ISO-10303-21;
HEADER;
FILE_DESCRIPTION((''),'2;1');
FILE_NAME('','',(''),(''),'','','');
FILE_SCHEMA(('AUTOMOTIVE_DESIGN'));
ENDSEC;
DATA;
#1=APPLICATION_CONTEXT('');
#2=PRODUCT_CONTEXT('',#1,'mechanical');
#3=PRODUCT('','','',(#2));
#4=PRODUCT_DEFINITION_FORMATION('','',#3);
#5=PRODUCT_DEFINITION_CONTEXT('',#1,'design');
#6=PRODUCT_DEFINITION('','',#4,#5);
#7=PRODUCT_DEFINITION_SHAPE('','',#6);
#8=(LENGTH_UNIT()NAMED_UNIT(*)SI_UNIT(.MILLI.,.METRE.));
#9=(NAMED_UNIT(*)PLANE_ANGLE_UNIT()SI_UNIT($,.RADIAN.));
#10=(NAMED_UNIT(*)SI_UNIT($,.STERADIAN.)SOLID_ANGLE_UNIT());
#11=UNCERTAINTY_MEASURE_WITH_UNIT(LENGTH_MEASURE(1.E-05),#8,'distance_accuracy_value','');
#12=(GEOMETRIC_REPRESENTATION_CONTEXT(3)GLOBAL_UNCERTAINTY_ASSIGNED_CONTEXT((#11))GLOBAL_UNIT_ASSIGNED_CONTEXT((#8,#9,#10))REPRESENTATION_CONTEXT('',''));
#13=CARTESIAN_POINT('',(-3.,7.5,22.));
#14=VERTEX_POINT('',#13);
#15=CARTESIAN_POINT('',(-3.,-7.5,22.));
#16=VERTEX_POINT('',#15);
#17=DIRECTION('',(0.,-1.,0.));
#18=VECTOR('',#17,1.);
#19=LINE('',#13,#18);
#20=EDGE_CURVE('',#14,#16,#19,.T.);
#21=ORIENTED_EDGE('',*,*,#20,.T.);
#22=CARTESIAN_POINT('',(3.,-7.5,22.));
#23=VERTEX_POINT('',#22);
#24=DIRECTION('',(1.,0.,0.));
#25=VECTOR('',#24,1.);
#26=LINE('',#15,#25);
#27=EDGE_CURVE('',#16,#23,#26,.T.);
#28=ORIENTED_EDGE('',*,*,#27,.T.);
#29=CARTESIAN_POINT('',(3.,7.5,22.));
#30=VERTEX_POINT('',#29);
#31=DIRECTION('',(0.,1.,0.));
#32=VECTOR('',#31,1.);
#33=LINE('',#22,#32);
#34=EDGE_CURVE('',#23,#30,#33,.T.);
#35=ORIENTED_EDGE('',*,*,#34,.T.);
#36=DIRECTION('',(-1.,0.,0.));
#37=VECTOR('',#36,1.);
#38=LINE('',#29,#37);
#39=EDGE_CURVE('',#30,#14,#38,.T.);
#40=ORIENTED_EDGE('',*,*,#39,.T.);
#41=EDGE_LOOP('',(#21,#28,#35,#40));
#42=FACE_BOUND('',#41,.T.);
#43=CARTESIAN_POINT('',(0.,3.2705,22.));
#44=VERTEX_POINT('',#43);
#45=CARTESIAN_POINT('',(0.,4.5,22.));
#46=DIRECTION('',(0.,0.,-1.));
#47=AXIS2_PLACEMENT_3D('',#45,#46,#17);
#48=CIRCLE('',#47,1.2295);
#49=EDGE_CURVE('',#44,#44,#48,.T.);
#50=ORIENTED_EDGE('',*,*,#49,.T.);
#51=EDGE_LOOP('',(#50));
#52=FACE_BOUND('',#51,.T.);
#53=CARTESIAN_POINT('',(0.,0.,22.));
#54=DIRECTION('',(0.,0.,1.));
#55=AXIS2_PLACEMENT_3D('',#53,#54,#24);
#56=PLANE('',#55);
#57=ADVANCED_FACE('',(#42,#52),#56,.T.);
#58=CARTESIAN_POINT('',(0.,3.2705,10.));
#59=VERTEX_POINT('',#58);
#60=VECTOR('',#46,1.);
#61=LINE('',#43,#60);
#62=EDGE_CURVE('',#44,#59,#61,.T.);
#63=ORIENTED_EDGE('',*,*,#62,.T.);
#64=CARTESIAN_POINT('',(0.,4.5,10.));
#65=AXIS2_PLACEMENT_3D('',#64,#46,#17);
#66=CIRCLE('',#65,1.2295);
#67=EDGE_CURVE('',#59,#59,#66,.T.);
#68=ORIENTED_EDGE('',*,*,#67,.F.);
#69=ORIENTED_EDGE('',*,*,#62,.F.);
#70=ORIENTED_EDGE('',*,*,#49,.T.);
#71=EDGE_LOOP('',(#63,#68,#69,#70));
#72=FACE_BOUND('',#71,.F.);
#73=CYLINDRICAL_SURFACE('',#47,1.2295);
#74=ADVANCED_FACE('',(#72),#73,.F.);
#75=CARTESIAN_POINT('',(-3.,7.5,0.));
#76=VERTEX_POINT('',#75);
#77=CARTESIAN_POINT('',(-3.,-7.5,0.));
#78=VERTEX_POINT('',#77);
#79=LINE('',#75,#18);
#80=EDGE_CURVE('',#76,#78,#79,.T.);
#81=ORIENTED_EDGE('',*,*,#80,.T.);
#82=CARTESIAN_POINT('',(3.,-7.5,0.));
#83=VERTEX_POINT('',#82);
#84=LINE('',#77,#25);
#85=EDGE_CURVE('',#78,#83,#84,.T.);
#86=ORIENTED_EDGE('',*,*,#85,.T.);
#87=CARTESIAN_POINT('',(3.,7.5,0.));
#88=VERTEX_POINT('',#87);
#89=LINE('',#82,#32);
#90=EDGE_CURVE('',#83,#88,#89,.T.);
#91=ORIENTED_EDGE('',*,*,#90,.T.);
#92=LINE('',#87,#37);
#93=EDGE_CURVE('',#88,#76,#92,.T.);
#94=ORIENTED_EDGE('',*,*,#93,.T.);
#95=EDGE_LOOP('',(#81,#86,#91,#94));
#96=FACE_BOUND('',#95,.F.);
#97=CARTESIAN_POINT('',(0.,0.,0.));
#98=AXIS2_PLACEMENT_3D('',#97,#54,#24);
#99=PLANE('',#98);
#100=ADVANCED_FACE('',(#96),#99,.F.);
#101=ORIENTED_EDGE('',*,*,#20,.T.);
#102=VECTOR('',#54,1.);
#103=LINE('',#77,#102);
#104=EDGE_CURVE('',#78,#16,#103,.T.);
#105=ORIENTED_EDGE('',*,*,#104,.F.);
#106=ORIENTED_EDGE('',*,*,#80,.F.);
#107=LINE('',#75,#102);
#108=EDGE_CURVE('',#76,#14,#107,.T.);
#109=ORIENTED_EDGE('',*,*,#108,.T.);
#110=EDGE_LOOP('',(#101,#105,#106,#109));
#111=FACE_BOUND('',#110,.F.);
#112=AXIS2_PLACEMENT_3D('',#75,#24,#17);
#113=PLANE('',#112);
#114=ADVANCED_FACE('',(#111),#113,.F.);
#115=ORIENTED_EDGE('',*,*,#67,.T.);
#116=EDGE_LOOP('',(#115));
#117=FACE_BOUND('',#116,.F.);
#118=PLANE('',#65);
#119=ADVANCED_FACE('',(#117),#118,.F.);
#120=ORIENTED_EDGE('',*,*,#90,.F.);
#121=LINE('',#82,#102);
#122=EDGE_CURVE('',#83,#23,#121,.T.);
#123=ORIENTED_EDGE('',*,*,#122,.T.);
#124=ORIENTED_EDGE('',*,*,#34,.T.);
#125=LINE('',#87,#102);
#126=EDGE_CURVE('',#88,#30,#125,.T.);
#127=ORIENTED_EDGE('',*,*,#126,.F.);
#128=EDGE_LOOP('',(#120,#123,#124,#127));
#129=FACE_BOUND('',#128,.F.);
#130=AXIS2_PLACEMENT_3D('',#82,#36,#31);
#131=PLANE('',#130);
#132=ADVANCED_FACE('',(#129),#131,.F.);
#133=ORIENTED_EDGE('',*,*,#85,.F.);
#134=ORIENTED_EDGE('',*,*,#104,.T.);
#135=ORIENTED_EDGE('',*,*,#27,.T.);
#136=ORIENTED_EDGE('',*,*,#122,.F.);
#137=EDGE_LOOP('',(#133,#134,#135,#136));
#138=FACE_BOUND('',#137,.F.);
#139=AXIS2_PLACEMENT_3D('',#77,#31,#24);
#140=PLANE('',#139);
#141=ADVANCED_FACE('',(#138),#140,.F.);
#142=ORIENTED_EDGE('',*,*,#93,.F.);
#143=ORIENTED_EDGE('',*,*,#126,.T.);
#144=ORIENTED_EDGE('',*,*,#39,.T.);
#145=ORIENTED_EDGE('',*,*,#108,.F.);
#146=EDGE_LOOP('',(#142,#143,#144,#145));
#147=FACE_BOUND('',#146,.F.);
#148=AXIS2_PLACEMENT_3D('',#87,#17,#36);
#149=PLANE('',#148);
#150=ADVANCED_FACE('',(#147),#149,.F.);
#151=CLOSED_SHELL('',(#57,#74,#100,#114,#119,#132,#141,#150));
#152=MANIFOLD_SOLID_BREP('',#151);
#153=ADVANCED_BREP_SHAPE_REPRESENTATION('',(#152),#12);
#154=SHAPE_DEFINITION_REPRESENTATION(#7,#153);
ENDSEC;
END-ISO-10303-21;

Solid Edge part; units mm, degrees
sketch "Sketch1" plane through (0, 0, 0) normal (0, 0, 1) x (1, 0, 0)
  line L0 (-3, -7.5) -> (3, -7.5)
  line L1 (3, -7.5) -> (3, 7.5)
  line L2 (3, 7.5) -> (-3, 7.5)
  line L3 (-3, 7.5) -> (-3, -7.5)
  dimension "D1" = 6
  dimension "D2" = 15
extrude "Ajout_matière_1" add sketch "Sketch1" along normal blind 22
hole "Perçage_1" [suppressed]
hole "Perçage_2" [suppressed]
hole "Perçage_3" at (0, 4.5, 22) direction (0, 0, -1) diameter 2.459 depth 12 thread major 3 thread length 0.01
properties material "Plastique ABS, haute performance"
